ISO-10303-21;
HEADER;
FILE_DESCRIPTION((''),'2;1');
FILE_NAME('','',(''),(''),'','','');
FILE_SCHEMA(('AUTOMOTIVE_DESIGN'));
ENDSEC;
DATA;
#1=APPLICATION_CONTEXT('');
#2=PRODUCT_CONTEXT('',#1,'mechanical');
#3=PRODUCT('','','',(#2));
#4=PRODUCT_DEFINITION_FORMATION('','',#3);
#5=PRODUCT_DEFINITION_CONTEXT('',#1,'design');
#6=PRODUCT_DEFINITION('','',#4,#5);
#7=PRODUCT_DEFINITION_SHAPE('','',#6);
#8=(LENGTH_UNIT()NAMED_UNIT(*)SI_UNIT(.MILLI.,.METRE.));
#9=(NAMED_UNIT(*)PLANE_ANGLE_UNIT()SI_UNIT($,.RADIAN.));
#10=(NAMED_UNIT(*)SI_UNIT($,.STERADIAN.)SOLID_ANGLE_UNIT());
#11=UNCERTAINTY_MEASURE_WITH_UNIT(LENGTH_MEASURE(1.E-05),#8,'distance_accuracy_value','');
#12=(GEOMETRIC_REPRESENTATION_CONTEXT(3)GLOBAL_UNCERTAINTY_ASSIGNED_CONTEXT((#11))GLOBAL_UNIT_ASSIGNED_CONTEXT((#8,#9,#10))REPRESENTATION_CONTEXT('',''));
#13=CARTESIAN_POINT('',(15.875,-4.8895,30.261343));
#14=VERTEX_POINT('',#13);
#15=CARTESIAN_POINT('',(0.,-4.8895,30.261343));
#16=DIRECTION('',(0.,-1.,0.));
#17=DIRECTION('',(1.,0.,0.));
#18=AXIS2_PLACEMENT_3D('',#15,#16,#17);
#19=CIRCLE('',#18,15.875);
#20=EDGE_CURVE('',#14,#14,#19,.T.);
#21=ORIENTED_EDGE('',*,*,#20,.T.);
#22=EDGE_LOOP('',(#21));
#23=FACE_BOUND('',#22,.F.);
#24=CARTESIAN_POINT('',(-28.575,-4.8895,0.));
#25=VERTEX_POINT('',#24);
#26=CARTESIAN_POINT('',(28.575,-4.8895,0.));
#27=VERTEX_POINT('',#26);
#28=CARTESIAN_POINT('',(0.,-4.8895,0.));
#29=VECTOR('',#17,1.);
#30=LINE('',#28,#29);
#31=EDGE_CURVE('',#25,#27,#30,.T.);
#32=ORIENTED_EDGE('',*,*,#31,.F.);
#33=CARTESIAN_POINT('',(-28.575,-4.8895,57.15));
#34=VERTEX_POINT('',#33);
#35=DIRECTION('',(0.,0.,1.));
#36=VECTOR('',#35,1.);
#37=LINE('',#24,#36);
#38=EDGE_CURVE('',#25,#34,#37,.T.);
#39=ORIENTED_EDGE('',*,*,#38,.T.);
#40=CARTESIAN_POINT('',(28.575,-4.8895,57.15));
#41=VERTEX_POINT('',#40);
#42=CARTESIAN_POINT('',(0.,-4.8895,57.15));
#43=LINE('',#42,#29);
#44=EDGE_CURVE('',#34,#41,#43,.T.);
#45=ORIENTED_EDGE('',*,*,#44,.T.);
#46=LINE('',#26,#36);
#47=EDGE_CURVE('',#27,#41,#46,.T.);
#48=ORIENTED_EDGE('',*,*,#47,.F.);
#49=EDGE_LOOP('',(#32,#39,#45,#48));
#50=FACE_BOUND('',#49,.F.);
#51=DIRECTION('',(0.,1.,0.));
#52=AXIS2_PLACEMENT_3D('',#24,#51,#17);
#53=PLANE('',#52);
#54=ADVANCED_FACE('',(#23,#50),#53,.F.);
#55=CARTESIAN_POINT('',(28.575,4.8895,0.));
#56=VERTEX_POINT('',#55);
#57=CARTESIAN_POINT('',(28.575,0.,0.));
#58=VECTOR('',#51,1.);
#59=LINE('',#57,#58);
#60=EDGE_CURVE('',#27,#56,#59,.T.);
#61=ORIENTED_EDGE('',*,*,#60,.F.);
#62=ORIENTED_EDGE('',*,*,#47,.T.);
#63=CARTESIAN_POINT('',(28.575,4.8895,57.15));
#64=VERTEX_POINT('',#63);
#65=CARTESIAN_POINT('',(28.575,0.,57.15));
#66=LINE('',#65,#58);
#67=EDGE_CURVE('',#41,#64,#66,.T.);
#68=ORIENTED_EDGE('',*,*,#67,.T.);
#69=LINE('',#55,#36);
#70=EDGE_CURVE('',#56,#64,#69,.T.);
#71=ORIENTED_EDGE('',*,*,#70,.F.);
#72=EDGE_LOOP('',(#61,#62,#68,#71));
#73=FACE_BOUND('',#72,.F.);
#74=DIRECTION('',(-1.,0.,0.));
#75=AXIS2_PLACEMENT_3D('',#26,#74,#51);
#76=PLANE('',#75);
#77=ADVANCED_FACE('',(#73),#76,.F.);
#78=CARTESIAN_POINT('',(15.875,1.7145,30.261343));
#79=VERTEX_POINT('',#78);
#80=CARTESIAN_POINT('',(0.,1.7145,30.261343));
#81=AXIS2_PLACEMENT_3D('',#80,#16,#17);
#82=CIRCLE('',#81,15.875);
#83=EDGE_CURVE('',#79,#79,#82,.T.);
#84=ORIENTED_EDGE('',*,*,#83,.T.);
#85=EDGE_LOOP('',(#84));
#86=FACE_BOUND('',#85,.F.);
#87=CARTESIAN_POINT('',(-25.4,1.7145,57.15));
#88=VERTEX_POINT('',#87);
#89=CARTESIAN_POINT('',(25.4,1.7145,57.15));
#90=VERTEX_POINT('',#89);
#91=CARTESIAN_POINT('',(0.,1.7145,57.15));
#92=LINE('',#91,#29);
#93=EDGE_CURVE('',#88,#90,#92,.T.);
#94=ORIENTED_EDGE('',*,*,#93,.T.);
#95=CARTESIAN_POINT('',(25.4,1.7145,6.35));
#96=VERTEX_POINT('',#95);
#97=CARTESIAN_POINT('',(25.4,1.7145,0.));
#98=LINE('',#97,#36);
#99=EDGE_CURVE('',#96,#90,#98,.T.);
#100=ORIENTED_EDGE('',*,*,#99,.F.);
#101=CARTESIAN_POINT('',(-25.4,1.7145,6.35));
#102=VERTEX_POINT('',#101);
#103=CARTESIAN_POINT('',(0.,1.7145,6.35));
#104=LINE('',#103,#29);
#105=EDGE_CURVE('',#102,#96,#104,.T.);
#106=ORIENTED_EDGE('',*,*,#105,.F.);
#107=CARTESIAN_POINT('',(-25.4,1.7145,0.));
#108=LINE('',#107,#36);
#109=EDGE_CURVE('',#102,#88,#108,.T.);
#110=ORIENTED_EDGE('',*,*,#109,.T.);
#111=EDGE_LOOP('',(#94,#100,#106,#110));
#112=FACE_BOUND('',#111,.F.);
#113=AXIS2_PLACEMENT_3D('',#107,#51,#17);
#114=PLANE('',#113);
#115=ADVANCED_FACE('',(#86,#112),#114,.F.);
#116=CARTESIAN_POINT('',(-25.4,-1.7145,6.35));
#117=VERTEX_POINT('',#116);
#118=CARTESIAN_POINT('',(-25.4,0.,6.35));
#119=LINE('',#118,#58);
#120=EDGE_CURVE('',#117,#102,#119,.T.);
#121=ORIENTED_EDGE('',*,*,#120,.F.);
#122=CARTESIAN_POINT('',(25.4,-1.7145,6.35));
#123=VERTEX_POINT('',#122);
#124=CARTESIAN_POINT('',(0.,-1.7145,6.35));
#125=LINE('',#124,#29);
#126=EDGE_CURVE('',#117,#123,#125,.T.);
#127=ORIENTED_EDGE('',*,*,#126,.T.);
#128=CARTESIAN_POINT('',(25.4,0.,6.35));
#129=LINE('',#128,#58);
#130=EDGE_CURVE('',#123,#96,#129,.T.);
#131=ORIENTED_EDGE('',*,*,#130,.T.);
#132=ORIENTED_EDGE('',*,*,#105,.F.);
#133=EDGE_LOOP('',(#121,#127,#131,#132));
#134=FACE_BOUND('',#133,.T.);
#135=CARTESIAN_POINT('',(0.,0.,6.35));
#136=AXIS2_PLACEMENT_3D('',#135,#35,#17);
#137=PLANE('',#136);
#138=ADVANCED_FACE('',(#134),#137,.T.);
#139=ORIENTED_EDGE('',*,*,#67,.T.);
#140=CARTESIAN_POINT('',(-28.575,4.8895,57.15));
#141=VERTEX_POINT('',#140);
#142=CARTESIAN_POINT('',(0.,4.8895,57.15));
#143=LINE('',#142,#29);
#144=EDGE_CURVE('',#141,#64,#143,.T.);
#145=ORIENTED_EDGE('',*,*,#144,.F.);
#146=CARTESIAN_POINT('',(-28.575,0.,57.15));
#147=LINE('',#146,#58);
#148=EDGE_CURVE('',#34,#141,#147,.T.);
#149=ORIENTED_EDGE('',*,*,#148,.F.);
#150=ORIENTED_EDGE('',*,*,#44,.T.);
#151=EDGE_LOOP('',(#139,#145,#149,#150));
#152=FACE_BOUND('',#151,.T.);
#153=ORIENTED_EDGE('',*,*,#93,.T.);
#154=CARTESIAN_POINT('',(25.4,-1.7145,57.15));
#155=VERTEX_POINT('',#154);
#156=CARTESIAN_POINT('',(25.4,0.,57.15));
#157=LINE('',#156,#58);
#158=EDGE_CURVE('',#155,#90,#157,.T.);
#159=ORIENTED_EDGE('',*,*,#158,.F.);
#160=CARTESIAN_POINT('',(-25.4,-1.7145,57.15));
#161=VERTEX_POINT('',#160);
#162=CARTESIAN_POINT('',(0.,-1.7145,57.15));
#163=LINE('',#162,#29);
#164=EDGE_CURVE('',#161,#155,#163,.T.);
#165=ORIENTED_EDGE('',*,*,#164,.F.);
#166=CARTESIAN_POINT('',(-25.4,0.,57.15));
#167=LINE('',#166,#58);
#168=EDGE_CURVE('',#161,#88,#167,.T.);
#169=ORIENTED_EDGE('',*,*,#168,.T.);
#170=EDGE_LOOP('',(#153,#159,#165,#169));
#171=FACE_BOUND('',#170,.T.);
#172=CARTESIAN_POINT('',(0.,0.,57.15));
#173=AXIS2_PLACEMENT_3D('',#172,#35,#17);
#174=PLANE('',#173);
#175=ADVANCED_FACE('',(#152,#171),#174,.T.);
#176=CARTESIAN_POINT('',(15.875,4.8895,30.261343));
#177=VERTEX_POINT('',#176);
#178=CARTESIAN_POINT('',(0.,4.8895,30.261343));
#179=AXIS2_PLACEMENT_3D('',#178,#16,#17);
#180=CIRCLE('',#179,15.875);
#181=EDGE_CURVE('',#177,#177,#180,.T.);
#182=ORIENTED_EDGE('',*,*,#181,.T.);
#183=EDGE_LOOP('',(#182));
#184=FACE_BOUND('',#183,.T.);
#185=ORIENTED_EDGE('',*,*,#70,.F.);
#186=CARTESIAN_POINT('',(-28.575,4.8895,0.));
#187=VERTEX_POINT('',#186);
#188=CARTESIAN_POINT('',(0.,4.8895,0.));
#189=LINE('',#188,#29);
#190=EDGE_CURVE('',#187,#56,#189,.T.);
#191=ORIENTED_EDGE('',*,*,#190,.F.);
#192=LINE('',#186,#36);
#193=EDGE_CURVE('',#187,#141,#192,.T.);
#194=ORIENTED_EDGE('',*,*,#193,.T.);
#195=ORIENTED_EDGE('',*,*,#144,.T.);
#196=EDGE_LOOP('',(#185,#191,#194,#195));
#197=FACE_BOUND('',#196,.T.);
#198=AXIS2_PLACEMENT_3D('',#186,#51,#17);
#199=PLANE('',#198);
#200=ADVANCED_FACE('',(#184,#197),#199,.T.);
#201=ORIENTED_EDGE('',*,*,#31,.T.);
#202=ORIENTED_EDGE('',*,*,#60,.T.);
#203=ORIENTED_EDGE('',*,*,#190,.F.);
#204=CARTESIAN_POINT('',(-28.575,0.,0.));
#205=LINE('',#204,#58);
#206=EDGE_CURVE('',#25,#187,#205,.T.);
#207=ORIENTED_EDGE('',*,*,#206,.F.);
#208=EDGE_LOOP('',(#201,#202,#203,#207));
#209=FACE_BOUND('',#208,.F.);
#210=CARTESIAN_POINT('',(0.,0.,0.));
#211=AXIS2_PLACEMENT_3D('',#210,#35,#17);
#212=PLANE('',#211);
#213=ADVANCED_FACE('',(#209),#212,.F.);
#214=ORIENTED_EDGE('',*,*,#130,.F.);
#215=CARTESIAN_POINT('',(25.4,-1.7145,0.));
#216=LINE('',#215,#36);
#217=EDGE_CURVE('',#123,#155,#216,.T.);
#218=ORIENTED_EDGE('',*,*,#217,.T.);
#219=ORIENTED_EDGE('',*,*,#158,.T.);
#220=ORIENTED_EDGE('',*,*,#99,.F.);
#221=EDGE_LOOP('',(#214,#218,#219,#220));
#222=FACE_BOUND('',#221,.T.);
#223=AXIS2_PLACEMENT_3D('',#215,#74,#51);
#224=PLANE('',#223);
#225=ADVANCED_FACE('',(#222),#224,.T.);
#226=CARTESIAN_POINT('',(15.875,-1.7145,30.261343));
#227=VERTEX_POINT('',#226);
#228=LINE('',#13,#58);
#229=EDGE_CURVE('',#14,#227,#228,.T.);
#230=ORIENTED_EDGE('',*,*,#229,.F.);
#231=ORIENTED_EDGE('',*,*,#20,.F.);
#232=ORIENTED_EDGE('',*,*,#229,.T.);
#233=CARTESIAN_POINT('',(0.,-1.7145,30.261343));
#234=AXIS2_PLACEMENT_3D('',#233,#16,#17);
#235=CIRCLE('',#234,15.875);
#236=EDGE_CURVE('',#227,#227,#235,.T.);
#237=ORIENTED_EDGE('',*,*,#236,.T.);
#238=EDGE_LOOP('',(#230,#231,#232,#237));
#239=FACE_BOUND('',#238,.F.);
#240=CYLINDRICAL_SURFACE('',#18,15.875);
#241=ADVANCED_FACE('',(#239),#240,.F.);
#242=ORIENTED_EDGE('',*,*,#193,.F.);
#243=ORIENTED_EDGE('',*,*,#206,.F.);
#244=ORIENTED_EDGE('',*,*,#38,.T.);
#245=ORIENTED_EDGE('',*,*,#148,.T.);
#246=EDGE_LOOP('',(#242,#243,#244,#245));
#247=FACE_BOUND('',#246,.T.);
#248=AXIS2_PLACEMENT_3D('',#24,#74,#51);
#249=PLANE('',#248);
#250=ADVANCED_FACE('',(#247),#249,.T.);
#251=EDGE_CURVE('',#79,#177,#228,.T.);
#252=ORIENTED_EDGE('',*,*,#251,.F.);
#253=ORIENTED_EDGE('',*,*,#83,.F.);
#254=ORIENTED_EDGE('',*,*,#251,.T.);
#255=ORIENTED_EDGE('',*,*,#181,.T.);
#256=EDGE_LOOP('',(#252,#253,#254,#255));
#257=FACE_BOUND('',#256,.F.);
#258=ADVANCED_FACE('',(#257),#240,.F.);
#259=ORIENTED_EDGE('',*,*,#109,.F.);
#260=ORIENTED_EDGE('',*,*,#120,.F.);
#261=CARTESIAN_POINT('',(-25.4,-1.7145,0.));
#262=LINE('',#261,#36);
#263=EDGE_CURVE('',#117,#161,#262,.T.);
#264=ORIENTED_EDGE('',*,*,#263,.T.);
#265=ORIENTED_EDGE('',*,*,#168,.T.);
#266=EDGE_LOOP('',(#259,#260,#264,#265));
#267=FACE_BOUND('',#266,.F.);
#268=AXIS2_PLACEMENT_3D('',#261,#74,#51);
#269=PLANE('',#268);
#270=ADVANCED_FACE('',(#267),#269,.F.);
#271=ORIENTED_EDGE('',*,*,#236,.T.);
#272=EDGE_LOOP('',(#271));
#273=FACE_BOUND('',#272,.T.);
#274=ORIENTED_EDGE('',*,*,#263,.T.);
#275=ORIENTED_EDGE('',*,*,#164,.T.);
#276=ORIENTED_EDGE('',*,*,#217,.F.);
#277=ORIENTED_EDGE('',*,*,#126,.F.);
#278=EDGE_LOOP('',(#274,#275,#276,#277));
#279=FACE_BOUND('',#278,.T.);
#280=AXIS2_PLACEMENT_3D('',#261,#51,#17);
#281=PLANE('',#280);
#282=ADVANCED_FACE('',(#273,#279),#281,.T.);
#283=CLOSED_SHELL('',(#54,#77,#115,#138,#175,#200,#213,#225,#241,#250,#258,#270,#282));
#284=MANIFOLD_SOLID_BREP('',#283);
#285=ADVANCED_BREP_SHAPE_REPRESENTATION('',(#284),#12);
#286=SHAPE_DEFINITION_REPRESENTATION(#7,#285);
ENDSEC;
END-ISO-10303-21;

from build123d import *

# Parameters (mm, degrees)
F0_W     = 57.15
F0_H     = 9.779
F0_W_2   = 50.8
F0_H_2   = 3.429
F1_DEPTH = 57.15
F2_DEPTH = 6.35
F3_R     = 15.875
F4_DEPTH = 9.78


with BuildPart() as f1:
    # F0 (on Top) → F1 (new body)
    with BuildSketch(Plane.XY):
        Rectangle(F0_W, F0_H)
        Rectangle(F0_W_2, F0_H_2, mode=Mode.SUBTRACT)
    extrude(amount=F1_DEPTH)

    # F0 (on Top) → F2 (join)
    with BuildSketch(Plane.XY):
        Rectangle(F0_W_2, F0_H_2)
    extrude(amount=F2_DEPTH)

    # F3 (on face) → F4 (cut, through all)
    with BuildSketch(Plane.XZ.offset(4.8895)):
        with Locations((0, 30.261343)):
            Circle(F3_R)
    extrude(amount=-F4_DEPTH, mode=Mode.SUBTRACT)


solid = f1.part
